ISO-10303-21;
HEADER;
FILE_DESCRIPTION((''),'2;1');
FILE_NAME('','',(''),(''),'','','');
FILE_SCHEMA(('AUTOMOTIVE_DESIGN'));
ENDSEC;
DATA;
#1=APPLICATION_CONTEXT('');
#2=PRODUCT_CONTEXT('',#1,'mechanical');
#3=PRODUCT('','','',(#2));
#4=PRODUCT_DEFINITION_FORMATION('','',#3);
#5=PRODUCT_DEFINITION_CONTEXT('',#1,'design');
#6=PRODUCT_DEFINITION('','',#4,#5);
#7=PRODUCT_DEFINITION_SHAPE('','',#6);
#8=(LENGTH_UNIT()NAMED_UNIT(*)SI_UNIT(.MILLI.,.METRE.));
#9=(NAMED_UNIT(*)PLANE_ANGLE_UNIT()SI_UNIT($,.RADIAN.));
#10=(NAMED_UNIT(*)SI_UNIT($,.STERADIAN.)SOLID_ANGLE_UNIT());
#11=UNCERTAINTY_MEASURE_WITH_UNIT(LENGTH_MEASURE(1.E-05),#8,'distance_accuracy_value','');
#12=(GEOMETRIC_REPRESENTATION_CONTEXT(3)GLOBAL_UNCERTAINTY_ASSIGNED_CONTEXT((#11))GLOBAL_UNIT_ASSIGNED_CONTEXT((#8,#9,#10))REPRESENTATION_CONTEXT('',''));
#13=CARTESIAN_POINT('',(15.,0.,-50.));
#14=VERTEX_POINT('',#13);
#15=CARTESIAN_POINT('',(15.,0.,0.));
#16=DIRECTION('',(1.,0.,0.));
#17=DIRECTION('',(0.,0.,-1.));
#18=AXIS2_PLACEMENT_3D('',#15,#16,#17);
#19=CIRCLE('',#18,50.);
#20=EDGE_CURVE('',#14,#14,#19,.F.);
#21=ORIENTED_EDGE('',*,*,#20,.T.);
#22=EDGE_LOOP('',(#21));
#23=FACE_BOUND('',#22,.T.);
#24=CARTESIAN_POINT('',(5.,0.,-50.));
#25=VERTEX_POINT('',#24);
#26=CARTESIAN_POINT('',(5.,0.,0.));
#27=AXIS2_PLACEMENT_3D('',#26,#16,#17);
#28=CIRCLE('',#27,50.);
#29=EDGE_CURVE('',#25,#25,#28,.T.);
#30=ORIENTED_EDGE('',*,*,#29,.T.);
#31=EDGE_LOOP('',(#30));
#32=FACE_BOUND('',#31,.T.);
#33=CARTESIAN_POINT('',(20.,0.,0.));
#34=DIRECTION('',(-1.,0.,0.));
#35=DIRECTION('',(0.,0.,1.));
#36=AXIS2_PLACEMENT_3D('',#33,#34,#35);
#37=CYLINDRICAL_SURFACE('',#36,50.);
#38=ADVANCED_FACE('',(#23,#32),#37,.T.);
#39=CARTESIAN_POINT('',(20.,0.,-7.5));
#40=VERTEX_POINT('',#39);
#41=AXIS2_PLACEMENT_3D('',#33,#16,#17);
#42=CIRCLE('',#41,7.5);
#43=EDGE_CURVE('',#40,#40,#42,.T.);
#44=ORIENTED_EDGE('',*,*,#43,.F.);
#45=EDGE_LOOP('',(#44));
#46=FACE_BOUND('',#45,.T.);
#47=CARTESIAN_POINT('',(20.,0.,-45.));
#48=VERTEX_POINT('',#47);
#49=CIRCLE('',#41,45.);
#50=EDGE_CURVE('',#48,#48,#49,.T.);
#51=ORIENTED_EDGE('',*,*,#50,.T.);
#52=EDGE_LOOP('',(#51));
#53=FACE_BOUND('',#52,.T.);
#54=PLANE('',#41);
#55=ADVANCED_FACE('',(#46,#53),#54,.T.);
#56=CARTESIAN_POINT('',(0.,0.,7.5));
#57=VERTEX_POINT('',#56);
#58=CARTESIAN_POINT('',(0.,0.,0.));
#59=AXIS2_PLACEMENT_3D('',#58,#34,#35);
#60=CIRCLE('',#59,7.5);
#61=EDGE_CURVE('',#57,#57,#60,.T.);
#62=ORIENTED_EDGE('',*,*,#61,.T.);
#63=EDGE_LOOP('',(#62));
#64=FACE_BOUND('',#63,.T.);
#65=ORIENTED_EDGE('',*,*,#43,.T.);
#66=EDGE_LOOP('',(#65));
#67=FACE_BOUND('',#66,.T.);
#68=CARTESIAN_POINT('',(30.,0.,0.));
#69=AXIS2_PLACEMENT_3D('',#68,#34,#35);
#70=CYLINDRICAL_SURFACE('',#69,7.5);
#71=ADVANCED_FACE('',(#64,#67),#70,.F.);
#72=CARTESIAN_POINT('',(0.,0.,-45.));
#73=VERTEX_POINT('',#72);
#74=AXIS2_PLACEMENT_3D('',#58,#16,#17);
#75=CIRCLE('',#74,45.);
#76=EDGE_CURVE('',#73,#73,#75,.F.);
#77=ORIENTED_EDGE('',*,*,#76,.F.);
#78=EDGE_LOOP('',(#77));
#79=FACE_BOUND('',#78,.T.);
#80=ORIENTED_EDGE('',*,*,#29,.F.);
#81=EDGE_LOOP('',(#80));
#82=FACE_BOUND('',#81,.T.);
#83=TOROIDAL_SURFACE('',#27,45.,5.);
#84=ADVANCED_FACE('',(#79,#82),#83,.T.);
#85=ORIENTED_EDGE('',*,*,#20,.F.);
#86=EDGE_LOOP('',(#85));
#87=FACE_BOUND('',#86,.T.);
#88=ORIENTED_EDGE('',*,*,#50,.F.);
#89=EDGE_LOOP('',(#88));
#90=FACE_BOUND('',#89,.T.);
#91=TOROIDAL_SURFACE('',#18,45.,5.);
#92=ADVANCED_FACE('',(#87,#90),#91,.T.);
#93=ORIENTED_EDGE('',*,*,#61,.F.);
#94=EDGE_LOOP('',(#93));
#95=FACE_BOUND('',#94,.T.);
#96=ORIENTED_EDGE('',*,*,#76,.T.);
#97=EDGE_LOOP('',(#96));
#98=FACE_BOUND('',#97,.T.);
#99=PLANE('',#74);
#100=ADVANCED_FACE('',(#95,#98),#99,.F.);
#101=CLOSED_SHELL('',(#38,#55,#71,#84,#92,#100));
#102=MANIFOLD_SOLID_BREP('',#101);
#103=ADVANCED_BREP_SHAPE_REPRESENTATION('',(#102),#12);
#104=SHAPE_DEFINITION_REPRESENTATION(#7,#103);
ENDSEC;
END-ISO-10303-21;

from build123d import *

# Parameters (mm, degrees)
SKETCH_1_R          = 50
EXTRUDE_1_DEPTH     = 20
FILLET_1_R          = 5
SKETCH_2_R          = 7.5
CUT_EXTRUDE_1_DEPTH = 30


with BuildPart() as part:
    # 草图1 → 凸台-拉伸1 (new body)
    with BuildSketch(Plane(origin=(0, 0, 0), x_dir=(0, 0, -1), z_dir=(1, 0, 0))):
        Circle(SKETCH_1_R)
    extrude(amount=EXTRUDE_1_DEPTH)

    # 圆角1
    fillet_1_edges = [part.edges().sort_by_distance(p)[0] for p in [
        (0, 0, 50),
        (20, 0, 50),
    ]]
    fillet(fillet_1_edges, radius=FILLET_1_R)

    # 草图2 → 切除-拉伸1 (cut)
    with BuildSketch(Plane.ZY):
        Circle(SKETCH_2_R)
    extrude(amount=-CUT_EXTRUDE_1_DEPTH, mode=Mode.SUBTRACT)


solid = part.part
